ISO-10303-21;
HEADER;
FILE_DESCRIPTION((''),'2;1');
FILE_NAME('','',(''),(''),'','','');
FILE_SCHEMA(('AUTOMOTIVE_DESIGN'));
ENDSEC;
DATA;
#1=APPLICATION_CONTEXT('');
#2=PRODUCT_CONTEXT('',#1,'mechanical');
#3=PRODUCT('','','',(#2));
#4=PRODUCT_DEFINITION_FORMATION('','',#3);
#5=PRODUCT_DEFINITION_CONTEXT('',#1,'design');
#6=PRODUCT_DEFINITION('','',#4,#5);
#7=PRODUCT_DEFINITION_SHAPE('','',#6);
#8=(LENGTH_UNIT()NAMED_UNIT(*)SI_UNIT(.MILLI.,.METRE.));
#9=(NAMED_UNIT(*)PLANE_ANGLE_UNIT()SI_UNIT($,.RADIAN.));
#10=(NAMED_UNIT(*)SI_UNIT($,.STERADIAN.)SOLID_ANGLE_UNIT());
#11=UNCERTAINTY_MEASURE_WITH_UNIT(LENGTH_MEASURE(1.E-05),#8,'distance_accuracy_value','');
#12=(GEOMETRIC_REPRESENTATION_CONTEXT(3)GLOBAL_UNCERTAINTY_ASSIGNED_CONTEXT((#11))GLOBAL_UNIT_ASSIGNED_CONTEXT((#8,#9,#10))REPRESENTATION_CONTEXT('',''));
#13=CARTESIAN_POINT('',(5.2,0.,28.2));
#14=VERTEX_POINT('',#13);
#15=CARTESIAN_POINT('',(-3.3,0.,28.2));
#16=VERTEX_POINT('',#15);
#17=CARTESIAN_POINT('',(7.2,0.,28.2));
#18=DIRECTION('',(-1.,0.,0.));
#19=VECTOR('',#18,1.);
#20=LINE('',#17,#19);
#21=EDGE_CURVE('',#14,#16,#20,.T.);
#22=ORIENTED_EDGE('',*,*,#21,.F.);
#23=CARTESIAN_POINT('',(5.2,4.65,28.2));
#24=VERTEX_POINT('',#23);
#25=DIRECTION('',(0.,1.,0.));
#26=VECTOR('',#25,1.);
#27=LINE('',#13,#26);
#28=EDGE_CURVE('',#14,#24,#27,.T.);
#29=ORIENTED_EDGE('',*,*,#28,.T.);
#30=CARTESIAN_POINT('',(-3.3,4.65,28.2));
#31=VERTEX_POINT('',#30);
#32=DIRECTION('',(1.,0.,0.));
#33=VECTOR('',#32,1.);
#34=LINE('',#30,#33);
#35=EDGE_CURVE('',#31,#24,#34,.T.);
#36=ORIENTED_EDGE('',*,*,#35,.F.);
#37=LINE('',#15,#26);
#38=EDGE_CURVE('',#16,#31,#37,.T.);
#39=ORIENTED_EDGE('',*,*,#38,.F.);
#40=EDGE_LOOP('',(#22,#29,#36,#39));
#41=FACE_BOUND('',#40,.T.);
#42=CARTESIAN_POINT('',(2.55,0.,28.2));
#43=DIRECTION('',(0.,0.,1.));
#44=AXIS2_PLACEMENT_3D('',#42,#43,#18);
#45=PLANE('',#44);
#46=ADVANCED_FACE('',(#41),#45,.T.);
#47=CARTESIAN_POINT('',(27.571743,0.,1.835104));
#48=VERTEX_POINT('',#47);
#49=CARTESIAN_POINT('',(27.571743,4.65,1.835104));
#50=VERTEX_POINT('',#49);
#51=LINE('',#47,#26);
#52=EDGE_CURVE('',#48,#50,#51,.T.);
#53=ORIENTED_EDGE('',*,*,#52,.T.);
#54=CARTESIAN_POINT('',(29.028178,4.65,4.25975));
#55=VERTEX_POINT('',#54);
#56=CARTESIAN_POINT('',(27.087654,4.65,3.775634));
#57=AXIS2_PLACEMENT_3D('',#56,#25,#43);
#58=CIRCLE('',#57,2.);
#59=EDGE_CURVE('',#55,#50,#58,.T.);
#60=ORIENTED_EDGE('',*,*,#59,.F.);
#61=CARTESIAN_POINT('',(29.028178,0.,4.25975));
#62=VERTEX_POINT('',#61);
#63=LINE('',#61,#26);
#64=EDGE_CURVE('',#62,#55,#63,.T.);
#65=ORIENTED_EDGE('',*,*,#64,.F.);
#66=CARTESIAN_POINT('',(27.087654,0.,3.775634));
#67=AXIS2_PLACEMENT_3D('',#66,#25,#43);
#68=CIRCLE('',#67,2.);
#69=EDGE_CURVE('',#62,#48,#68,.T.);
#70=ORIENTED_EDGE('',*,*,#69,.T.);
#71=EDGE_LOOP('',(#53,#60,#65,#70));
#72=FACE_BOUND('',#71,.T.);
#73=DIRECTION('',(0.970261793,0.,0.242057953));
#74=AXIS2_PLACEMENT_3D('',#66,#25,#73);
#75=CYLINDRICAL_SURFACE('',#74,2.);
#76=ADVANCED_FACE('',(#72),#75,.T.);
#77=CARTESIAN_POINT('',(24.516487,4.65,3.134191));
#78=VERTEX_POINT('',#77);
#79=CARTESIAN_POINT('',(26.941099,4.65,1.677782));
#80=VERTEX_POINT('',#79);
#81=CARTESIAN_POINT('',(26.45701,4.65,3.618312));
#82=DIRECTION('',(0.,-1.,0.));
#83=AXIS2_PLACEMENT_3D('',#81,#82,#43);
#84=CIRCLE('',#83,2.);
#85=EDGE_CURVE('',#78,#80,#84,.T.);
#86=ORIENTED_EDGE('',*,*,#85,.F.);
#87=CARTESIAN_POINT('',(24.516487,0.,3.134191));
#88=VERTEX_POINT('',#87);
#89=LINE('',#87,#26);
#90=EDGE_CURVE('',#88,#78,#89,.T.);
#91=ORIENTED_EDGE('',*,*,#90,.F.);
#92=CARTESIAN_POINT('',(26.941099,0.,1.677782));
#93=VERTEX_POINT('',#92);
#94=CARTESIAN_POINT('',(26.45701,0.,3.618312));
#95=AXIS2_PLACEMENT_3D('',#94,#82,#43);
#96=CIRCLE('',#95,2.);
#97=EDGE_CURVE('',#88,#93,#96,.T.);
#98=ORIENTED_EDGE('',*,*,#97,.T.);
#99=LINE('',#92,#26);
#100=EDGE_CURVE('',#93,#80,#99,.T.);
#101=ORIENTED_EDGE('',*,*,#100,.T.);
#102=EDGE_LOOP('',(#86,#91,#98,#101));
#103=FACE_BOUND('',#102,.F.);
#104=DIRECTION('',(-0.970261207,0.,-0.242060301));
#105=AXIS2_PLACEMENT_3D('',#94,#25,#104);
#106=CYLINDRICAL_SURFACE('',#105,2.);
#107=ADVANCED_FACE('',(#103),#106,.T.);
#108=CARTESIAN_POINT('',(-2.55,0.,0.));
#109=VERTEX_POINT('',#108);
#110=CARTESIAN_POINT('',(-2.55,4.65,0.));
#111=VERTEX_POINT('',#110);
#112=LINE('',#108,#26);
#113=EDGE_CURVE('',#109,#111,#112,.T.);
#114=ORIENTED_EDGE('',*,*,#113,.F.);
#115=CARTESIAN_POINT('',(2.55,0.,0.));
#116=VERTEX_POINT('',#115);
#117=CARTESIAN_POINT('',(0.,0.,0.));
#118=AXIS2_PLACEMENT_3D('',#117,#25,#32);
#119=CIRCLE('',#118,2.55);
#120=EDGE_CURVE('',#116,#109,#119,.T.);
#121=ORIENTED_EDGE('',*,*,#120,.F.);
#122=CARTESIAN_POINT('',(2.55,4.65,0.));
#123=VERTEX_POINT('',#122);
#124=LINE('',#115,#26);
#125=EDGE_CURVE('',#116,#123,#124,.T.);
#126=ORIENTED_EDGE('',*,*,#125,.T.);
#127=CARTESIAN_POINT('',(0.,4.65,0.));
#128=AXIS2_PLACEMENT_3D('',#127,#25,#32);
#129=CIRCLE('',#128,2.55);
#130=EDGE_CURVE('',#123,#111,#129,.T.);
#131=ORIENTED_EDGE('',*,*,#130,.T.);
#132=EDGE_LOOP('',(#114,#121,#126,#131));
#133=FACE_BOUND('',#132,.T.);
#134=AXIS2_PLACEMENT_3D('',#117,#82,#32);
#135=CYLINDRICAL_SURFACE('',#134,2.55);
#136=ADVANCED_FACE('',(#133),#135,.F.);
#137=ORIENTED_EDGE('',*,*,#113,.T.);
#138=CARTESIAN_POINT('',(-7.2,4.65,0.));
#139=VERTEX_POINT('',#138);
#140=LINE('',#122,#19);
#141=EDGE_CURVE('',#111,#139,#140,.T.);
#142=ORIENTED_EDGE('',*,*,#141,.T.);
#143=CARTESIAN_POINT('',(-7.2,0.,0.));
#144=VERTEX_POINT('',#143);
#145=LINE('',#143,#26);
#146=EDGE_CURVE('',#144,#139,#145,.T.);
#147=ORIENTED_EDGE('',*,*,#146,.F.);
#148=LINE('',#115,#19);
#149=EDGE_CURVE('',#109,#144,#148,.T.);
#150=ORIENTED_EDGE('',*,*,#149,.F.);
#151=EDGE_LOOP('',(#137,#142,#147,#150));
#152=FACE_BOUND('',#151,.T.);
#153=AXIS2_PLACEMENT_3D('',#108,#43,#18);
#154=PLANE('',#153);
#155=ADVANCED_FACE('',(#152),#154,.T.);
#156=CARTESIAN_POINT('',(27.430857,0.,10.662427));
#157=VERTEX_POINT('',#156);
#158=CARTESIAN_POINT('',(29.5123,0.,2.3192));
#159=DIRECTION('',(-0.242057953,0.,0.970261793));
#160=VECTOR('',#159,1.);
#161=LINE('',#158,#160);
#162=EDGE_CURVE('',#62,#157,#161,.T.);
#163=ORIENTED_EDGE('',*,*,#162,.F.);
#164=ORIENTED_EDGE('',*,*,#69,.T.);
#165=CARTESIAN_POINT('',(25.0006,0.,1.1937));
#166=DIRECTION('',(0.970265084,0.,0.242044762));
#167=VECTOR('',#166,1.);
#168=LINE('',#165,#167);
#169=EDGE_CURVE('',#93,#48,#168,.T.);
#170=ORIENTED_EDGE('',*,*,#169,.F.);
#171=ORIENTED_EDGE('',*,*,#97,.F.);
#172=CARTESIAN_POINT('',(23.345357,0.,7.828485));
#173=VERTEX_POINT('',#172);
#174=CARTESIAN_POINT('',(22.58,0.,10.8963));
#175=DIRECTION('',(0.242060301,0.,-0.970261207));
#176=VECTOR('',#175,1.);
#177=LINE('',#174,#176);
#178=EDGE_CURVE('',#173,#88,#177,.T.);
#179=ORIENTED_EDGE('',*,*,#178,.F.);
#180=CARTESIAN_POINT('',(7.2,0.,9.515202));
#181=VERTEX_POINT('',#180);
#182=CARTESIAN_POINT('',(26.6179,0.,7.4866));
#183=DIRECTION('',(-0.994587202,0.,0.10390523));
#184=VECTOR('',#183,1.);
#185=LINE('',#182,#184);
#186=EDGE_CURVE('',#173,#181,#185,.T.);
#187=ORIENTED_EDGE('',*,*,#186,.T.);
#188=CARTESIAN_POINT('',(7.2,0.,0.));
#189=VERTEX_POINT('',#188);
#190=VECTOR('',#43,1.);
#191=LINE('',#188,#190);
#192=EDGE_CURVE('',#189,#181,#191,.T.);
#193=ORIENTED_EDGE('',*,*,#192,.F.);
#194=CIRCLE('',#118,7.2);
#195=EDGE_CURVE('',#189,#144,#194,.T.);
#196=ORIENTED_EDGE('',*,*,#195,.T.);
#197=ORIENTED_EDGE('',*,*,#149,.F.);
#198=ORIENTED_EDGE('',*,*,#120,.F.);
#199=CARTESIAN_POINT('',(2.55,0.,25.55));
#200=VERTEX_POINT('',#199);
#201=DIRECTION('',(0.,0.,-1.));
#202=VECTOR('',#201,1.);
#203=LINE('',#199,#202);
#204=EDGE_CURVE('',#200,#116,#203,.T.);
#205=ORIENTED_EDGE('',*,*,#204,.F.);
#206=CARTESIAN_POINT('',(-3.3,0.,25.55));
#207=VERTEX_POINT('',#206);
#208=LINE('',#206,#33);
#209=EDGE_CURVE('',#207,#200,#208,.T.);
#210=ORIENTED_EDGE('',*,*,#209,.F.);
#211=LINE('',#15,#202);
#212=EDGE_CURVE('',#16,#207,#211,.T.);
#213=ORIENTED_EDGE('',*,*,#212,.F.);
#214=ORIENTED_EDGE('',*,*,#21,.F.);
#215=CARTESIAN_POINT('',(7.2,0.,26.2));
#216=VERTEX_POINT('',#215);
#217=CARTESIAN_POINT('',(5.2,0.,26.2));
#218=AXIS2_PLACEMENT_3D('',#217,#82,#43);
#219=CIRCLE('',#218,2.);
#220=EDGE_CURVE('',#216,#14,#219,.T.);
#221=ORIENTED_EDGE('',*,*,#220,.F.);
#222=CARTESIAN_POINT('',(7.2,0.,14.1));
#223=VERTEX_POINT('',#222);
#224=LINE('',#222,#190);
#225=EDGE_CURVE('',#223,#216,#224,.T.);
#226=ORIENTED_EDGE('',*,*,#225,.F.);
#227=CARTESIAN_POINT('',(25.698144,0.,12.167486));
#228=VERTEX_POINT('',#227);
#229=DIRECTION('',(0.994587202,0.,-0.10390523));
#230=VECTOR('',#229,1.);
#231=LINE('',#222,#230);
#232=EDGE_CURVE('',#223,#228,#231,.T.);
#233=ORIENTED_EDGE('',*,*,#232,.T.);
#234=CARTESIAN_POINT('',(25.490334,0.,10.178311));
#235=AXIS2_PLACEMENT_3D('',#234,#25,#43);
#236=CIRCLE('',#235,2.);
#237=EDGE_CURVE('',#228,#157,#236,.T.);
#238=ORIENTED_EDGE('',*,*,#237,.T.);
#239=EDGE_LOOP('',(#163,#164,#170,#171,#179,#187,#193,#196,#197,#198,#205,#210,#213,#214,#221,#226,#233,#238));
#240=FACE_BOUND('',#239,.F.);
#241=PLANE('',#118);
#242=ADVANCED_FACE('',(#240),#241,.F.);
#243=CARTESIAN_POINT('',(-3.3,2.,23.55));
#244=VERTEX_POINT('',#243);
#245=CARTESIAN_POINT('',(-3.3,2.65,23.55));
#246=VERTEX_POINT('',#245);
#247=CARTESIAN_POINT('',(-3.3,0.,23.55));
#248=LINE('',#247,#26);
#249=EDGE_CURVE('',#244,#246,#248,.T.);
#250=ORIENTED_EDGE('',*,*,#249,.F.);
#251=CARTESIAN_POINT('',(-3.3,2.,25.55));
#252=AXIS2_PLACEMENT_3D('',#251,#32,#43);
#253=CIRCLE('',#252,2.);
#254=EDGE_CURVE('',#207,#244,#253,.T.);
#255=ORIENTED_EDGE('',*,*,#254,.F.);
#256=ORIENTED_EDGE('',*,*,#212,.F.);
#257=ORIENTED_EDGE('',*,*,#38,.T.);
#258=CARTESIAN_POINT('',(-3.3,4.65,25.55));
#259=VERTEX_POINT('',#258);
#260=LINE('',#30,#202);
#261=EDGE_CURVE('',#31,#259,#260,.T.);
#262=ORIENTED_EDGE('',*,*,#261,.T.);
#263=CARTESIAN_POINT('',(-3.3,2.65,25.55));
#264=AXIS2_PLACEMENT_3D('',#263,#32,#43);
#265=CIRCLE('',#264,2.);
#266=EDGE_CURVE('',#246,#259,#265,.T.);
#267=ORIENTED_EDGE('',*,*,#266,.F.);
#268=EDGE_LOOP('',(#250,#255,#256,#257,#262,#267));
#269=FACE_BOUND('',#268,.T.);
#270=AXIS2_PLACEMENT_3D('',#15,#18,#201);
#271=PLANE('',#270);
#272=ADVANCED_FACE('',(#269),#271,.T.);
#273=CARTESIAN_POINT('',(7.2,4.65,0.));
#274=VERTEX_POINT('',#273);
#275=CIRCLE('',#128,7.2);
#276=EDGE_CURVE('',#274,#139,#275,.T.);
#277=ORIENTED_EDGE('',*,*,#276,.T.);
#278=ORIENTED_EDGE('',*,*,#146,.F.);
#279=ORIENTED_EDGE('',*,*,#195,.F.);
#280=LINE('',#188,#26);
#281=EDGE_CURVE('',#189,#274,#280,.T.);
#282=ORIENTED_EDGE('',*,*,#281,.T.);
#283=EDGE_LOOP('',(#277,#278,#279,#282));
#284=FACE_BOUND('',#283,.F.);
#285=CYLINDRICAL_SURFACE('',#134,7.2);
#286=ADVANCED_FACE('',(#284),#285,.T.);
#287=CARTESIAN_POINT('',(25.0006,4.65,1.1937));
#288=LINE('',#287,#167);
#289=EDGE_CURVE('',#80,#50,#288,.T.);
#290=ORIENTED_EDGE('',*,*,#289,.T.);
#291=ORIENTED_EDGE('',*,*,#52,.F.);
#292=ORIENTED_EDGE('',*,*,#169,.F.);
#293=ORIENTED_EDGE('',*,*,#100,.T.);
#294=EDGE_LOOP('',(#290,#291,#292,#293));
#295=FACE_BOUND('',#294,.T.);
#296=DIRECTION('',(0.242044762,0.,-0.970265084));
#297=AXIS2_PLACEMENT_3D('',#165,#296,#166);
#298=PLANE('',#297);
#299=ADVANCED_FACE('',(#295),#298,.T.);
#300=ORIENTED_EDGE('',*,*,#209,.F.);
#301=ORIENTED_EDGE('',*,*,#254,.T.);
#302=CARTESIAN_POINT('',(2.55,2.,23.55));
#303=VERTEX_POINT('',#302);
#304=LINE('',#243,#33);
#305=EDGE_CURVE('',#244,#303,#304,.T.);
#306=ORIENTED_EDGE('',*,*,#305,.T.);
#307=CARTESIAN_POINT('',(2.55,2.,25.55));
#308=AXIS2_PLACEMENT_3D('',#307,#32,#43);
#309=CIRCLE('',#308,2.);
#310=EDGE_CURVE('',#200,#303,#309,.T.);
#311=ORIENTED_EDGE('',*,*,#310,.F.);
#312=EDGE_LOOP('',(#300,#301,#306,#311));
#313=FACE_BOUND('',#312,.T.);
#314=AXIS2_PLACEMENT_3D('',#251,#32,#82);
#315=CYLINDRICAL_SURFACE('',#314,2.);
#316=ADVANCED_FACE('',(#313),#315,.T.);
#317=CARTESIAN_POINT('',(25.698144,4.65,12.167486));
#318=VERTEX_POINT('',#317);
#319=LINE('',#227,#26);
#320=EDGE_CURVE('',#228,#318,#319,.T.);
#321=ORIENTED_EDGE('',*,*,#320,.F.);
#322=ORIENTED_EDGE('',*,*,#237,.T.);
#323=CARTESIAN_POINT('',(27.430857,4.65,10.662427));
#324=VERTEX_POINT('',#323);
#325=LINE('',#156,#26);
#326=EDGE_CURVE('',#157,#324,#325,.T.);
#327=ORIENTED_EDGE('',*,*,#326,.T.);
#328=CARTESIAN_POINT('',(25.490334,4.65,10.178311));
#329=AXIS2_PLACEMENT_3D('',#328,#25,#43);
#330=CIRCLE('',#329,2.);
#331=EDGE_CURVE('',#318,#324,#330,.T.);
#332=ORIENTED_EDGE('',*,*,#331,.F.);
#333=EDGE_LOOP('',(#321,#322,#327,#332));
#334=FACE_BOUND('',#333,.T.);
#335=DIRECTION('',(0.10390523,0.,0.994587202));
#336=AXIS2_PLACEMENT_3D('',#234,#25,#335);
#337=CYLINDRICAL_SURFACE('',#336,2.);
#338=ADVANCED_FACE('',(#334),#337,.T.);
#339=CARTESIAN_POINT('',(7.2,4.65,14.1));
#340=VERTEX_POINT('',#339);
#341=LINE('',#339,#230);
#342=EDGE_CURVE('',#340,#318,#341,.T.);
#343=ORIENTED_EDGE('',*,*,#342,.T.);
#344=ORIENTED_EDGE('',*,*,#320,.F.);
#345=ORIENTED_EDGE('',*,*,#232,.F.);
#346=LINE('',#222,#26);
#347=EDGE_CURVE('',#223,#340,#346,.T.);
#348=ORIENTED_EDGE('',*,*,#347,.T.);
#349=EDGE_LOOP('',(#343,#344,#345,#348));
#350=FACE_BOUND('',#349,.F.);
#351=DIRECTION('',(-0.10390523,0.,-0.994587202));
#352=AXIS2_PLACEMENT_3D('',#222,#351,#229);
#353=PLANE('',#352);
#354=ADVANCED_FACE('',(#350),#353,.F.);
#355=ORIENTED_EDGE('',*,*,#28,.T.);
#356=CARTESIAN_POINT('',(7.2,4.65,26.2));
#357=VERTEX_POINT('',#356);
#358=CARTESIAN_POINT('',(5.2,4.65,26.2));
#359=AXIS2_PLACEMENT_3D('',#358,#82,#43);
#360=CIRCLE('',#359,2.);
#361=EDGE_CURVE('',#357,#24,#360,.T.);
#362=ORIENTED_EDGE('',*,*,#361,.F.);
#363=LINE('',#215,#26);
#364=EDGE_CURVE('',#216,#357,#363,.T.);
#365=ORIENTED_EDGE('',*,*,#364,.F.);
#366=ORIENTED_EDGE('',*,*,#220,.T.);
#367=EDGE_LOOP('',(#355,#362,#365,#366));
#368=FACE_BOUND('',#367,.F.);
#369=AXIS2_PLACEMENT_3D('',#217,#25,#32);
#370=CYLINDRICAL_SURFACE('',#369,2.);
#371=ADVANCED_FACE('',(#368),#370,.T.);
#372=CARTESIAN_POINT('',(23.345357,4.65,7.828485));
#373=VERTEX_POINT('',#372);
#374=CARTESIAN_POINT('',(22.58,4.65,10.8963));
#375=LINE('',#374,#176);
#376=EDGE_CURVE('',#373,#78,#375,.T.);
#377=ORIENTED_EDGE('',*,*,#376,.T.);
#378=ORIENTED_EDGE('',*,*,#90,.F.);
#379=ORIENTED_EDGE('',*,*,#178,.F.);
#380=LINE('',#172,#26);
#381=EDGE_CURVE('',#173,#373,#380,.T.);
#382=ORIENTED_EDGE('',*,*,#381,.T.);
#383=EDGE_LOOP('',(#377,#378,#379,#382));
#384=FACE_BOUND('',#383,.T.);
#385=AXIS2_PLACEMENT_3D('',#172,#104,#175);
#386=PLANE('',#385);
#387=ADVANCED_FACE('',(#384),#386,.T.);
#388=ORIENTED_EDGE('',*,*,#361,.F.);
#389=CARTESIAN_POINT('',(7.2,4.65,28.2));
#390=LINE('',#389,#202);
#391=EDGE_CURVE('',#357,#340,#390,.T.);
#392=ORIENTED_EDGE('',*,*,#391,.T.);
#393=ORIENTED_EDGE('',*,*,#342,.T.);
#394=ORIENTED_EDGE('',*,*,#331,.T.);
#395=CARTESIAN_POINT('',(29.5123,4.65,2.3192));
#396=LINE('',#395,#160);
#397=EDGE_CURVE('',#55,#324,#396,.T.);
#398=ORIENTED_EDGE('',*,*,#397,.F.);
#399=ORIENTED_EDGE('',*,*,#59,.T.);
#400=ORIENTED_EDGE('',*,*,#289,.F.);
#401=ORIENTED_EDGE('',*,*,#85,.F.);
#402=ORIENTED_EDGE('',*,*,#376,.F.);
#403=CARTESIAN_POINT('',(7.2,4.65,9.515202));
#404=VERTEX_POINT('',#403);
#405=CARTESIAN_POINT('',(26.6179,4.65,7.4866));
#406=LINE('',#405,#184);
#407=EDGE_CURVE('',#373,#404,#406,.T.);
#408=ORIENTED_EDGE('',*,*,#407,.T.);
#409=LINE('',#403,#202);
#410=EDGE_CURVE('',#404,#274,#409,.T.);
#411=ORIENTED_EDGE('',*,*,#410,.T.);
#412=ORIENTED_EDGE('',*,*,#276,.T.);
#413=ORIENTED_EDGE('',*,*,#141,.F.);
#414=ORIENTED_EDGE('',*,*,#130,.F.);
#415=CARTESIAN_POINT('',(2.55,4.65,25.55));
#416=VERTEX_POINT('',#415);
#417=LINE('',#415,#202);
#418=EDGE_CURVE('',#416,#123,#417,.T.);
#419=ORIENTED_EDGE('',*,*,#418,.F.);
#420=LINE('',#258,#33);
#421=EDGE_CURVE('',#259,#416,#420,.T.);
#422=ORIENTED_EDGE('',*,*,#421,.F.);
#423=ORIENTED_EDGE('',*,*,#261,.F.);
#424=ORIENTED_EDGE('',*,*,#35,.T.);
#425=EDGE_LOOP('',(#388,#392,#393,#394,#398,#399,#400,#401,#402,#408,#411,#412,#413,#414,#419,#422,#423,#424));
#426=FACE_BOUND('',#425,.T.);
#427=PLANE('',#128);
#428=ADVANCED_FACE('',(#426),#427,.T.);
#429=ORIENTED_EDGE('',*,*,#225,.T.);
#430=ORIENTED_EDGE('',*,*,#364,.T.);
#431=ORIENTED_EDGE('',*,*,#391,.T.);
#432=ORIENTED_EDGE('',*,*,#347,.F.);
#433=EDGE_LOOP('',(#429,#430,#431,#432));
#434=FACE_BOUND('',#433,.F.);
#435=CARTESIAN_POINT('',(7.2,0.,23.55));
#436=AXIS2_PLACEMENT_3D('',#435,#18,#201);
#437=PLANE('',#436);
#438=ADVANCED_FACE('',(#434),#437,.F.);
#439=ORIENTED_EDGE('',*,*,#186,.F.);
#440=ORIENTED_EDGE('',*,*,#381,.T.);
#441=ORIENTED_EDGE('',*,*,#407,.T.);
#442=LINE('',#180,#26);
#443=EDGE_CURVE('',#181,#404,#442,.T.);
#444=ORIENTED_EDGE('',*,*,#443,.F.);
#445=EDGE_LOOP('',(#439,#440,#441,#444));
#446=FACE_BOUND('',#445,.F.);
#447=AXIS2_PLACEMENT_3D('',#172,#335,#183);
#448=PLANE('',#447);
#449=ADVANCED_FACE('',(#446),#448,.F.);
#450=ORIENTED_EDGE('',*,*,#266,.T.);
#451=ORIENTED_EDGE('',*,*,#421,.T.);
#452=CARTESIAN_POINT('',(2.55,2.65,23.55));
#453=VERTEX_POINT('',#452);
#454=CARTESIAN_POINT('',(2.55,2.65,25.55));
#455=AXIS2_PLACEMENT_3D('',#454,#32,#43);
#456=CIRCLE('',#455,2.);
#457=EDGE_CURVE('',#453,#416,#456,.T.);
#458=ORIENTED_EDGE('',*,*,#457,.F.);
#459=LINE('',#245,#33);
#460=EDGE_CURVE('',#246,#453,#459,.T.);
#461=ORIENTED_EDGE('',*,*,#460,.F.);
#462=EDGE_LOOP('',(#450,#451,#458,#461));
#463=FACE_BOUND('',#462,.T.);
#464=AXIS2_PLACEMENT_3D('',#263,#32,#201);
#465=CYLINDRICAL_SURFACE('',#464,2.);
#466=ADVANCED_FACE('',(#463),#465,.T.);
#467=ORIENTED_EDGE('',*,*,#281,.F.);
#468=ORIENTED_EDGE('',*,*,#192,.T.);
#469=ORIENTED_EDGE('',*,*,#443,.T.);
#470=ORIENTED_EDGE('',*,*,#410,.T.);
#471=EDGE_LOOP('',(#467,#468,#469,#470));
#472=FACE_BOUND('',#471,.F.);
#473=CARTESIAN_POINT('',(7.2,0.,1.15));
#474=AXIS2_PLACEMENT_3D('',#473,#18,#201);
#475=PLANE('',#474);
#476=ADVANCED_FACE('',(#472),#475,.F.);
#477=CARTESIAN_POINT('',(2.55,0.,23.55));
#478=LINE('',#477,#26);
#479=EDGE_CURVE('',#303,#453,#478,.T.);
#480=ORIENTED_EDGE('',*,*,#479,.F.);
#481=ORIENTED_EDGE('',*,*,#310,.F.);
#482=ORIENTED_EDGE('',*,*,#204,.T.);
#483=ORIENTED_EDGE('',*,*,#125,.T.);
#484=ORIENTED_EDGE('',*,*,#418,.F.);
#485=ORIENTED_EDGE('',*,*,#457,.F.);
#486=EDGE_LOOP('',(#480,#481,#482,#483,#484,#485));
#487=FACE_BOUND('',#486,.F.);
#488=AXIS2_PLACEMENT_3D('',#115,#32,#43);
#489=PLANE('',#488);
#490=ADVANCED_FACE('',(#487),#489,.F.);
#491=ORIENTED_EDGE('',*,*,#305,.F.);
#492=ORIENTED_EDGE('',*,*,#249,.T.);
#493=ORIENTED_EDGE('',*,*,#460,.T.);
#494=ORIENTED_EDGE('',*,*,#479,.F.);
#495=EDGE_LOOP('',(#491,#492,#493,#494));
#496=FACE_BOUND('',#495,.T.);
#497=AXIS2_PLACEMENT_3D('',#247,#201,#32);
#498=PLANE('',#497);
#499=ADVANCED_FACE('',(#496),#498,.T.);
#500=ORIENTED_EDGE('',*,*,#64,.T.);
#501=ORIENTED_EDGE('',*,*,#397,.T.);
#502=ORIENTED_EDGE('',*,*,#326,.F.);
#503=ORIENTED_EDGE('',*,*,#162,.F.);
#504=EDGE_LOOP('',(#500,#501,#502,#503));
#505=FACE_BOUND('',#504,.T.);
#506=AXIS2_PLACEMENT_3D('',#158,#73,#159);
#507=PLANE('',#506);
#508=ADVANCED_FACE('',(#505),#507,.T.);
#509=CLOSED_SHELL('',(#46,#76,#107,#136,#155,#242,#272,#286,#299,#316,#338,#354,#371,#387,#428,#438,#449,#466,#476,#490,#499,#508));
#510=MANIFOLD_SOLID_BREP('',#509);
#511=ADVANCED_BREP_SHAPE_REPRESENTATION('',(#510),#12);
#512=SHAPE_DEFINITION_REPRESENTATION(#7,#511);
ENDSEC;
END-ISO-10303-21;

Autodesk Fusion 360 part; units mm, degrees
sketch "Sketch1" plane through (0, 0, 0) normal (0, 1, 0) x (1, 0, 0)
  circle A0 centre (0, 0) radius 7.2
  circle A1 centre (0, 0) radius 2.55
  line L0 (7.2, 0) -> (2.55, 0)
  line L1 (2.55, 0) -> (2.55, -28.2)
  line L2 (2.55, -28.2) -> (7.2, -28.2)
  line L3 (7.2, -28.2) -> (7.2, 0)
  line L4 (7.2, -28.2) -> (-3.3, -28.2)
  line L5 (-3.3, -28.2) -> (-3.3, -23.55)
  line L6 (-3.3, -23.55) -> (7.2, -23.55)
  line L7 (7.2, -23.55) -> (7.2, -28.2)
  line L8 (2.55, 0) -> (-7.2, 0)
  line L9 (7.2, -4.2775) -> (7.2, -1.15)
  line L10 (7.2, -14.1) -> (27.0917, -12.0219)
  line L11 (27.0917, -12.0219) -> (26.6179, -7.4866)
  line L12 (26.6179, -7.4866) -> (6.7262, -9.5647)
  line L13 (6.7262, -9.5647) -> (7.2, -14.1)
  line L14 (27.0917, -12.0219) -> (22.58, -10.8963)
  line L15 (22.58, -10.8963) -> (25.0006, -1.1937)
  line L16 (25.0006, -1.1937) -> (29.5123, -2.3192)
  line L17 (29.5123, -2.3192) -> (27.0917, -12.0219)
  dimension "d1" = 14.4
  dimension "d2" = 5.1
  dimension "d3" = 4.65
  dimension "d4" = 28.2
  dimension "d5" = 10.5
  dimension "d6" = 4.65
  dimension "d16" = 20
  dimension "d17" = 4.56
  dimension "d18" = 4.65
  dimension "d19" = 10
extrude "Extrude1" add sketch "Sketch1" along normal blind 4.65 contours A0 A1 L0 L8 | A0 L1 L3 L6 L9 L12 L13 | A0 L0 L1 | L1 L2 L3 L4 L6 L7 | L1 L4 L5 L6 | L3 L10 L12 L14 L15 | L3 L12 L13 | L11 L12 L15 L16 L17 | L11 L12 L14 L15
fillet "Fillet1" radius 2 3 edges at (25.0006, 2.325, 1.1937) (29.5123, 2.325, 2.3192) (27.0917, 2.325, 12.0219)
fillet "Fillet2" radius 2 1 edges at (7.2, 2.325, 28.2)
fillet "Fillet3" radius 2 2 edges at (-0.375, 4.65, 23.55) (-0.375, 0, 23.55)
